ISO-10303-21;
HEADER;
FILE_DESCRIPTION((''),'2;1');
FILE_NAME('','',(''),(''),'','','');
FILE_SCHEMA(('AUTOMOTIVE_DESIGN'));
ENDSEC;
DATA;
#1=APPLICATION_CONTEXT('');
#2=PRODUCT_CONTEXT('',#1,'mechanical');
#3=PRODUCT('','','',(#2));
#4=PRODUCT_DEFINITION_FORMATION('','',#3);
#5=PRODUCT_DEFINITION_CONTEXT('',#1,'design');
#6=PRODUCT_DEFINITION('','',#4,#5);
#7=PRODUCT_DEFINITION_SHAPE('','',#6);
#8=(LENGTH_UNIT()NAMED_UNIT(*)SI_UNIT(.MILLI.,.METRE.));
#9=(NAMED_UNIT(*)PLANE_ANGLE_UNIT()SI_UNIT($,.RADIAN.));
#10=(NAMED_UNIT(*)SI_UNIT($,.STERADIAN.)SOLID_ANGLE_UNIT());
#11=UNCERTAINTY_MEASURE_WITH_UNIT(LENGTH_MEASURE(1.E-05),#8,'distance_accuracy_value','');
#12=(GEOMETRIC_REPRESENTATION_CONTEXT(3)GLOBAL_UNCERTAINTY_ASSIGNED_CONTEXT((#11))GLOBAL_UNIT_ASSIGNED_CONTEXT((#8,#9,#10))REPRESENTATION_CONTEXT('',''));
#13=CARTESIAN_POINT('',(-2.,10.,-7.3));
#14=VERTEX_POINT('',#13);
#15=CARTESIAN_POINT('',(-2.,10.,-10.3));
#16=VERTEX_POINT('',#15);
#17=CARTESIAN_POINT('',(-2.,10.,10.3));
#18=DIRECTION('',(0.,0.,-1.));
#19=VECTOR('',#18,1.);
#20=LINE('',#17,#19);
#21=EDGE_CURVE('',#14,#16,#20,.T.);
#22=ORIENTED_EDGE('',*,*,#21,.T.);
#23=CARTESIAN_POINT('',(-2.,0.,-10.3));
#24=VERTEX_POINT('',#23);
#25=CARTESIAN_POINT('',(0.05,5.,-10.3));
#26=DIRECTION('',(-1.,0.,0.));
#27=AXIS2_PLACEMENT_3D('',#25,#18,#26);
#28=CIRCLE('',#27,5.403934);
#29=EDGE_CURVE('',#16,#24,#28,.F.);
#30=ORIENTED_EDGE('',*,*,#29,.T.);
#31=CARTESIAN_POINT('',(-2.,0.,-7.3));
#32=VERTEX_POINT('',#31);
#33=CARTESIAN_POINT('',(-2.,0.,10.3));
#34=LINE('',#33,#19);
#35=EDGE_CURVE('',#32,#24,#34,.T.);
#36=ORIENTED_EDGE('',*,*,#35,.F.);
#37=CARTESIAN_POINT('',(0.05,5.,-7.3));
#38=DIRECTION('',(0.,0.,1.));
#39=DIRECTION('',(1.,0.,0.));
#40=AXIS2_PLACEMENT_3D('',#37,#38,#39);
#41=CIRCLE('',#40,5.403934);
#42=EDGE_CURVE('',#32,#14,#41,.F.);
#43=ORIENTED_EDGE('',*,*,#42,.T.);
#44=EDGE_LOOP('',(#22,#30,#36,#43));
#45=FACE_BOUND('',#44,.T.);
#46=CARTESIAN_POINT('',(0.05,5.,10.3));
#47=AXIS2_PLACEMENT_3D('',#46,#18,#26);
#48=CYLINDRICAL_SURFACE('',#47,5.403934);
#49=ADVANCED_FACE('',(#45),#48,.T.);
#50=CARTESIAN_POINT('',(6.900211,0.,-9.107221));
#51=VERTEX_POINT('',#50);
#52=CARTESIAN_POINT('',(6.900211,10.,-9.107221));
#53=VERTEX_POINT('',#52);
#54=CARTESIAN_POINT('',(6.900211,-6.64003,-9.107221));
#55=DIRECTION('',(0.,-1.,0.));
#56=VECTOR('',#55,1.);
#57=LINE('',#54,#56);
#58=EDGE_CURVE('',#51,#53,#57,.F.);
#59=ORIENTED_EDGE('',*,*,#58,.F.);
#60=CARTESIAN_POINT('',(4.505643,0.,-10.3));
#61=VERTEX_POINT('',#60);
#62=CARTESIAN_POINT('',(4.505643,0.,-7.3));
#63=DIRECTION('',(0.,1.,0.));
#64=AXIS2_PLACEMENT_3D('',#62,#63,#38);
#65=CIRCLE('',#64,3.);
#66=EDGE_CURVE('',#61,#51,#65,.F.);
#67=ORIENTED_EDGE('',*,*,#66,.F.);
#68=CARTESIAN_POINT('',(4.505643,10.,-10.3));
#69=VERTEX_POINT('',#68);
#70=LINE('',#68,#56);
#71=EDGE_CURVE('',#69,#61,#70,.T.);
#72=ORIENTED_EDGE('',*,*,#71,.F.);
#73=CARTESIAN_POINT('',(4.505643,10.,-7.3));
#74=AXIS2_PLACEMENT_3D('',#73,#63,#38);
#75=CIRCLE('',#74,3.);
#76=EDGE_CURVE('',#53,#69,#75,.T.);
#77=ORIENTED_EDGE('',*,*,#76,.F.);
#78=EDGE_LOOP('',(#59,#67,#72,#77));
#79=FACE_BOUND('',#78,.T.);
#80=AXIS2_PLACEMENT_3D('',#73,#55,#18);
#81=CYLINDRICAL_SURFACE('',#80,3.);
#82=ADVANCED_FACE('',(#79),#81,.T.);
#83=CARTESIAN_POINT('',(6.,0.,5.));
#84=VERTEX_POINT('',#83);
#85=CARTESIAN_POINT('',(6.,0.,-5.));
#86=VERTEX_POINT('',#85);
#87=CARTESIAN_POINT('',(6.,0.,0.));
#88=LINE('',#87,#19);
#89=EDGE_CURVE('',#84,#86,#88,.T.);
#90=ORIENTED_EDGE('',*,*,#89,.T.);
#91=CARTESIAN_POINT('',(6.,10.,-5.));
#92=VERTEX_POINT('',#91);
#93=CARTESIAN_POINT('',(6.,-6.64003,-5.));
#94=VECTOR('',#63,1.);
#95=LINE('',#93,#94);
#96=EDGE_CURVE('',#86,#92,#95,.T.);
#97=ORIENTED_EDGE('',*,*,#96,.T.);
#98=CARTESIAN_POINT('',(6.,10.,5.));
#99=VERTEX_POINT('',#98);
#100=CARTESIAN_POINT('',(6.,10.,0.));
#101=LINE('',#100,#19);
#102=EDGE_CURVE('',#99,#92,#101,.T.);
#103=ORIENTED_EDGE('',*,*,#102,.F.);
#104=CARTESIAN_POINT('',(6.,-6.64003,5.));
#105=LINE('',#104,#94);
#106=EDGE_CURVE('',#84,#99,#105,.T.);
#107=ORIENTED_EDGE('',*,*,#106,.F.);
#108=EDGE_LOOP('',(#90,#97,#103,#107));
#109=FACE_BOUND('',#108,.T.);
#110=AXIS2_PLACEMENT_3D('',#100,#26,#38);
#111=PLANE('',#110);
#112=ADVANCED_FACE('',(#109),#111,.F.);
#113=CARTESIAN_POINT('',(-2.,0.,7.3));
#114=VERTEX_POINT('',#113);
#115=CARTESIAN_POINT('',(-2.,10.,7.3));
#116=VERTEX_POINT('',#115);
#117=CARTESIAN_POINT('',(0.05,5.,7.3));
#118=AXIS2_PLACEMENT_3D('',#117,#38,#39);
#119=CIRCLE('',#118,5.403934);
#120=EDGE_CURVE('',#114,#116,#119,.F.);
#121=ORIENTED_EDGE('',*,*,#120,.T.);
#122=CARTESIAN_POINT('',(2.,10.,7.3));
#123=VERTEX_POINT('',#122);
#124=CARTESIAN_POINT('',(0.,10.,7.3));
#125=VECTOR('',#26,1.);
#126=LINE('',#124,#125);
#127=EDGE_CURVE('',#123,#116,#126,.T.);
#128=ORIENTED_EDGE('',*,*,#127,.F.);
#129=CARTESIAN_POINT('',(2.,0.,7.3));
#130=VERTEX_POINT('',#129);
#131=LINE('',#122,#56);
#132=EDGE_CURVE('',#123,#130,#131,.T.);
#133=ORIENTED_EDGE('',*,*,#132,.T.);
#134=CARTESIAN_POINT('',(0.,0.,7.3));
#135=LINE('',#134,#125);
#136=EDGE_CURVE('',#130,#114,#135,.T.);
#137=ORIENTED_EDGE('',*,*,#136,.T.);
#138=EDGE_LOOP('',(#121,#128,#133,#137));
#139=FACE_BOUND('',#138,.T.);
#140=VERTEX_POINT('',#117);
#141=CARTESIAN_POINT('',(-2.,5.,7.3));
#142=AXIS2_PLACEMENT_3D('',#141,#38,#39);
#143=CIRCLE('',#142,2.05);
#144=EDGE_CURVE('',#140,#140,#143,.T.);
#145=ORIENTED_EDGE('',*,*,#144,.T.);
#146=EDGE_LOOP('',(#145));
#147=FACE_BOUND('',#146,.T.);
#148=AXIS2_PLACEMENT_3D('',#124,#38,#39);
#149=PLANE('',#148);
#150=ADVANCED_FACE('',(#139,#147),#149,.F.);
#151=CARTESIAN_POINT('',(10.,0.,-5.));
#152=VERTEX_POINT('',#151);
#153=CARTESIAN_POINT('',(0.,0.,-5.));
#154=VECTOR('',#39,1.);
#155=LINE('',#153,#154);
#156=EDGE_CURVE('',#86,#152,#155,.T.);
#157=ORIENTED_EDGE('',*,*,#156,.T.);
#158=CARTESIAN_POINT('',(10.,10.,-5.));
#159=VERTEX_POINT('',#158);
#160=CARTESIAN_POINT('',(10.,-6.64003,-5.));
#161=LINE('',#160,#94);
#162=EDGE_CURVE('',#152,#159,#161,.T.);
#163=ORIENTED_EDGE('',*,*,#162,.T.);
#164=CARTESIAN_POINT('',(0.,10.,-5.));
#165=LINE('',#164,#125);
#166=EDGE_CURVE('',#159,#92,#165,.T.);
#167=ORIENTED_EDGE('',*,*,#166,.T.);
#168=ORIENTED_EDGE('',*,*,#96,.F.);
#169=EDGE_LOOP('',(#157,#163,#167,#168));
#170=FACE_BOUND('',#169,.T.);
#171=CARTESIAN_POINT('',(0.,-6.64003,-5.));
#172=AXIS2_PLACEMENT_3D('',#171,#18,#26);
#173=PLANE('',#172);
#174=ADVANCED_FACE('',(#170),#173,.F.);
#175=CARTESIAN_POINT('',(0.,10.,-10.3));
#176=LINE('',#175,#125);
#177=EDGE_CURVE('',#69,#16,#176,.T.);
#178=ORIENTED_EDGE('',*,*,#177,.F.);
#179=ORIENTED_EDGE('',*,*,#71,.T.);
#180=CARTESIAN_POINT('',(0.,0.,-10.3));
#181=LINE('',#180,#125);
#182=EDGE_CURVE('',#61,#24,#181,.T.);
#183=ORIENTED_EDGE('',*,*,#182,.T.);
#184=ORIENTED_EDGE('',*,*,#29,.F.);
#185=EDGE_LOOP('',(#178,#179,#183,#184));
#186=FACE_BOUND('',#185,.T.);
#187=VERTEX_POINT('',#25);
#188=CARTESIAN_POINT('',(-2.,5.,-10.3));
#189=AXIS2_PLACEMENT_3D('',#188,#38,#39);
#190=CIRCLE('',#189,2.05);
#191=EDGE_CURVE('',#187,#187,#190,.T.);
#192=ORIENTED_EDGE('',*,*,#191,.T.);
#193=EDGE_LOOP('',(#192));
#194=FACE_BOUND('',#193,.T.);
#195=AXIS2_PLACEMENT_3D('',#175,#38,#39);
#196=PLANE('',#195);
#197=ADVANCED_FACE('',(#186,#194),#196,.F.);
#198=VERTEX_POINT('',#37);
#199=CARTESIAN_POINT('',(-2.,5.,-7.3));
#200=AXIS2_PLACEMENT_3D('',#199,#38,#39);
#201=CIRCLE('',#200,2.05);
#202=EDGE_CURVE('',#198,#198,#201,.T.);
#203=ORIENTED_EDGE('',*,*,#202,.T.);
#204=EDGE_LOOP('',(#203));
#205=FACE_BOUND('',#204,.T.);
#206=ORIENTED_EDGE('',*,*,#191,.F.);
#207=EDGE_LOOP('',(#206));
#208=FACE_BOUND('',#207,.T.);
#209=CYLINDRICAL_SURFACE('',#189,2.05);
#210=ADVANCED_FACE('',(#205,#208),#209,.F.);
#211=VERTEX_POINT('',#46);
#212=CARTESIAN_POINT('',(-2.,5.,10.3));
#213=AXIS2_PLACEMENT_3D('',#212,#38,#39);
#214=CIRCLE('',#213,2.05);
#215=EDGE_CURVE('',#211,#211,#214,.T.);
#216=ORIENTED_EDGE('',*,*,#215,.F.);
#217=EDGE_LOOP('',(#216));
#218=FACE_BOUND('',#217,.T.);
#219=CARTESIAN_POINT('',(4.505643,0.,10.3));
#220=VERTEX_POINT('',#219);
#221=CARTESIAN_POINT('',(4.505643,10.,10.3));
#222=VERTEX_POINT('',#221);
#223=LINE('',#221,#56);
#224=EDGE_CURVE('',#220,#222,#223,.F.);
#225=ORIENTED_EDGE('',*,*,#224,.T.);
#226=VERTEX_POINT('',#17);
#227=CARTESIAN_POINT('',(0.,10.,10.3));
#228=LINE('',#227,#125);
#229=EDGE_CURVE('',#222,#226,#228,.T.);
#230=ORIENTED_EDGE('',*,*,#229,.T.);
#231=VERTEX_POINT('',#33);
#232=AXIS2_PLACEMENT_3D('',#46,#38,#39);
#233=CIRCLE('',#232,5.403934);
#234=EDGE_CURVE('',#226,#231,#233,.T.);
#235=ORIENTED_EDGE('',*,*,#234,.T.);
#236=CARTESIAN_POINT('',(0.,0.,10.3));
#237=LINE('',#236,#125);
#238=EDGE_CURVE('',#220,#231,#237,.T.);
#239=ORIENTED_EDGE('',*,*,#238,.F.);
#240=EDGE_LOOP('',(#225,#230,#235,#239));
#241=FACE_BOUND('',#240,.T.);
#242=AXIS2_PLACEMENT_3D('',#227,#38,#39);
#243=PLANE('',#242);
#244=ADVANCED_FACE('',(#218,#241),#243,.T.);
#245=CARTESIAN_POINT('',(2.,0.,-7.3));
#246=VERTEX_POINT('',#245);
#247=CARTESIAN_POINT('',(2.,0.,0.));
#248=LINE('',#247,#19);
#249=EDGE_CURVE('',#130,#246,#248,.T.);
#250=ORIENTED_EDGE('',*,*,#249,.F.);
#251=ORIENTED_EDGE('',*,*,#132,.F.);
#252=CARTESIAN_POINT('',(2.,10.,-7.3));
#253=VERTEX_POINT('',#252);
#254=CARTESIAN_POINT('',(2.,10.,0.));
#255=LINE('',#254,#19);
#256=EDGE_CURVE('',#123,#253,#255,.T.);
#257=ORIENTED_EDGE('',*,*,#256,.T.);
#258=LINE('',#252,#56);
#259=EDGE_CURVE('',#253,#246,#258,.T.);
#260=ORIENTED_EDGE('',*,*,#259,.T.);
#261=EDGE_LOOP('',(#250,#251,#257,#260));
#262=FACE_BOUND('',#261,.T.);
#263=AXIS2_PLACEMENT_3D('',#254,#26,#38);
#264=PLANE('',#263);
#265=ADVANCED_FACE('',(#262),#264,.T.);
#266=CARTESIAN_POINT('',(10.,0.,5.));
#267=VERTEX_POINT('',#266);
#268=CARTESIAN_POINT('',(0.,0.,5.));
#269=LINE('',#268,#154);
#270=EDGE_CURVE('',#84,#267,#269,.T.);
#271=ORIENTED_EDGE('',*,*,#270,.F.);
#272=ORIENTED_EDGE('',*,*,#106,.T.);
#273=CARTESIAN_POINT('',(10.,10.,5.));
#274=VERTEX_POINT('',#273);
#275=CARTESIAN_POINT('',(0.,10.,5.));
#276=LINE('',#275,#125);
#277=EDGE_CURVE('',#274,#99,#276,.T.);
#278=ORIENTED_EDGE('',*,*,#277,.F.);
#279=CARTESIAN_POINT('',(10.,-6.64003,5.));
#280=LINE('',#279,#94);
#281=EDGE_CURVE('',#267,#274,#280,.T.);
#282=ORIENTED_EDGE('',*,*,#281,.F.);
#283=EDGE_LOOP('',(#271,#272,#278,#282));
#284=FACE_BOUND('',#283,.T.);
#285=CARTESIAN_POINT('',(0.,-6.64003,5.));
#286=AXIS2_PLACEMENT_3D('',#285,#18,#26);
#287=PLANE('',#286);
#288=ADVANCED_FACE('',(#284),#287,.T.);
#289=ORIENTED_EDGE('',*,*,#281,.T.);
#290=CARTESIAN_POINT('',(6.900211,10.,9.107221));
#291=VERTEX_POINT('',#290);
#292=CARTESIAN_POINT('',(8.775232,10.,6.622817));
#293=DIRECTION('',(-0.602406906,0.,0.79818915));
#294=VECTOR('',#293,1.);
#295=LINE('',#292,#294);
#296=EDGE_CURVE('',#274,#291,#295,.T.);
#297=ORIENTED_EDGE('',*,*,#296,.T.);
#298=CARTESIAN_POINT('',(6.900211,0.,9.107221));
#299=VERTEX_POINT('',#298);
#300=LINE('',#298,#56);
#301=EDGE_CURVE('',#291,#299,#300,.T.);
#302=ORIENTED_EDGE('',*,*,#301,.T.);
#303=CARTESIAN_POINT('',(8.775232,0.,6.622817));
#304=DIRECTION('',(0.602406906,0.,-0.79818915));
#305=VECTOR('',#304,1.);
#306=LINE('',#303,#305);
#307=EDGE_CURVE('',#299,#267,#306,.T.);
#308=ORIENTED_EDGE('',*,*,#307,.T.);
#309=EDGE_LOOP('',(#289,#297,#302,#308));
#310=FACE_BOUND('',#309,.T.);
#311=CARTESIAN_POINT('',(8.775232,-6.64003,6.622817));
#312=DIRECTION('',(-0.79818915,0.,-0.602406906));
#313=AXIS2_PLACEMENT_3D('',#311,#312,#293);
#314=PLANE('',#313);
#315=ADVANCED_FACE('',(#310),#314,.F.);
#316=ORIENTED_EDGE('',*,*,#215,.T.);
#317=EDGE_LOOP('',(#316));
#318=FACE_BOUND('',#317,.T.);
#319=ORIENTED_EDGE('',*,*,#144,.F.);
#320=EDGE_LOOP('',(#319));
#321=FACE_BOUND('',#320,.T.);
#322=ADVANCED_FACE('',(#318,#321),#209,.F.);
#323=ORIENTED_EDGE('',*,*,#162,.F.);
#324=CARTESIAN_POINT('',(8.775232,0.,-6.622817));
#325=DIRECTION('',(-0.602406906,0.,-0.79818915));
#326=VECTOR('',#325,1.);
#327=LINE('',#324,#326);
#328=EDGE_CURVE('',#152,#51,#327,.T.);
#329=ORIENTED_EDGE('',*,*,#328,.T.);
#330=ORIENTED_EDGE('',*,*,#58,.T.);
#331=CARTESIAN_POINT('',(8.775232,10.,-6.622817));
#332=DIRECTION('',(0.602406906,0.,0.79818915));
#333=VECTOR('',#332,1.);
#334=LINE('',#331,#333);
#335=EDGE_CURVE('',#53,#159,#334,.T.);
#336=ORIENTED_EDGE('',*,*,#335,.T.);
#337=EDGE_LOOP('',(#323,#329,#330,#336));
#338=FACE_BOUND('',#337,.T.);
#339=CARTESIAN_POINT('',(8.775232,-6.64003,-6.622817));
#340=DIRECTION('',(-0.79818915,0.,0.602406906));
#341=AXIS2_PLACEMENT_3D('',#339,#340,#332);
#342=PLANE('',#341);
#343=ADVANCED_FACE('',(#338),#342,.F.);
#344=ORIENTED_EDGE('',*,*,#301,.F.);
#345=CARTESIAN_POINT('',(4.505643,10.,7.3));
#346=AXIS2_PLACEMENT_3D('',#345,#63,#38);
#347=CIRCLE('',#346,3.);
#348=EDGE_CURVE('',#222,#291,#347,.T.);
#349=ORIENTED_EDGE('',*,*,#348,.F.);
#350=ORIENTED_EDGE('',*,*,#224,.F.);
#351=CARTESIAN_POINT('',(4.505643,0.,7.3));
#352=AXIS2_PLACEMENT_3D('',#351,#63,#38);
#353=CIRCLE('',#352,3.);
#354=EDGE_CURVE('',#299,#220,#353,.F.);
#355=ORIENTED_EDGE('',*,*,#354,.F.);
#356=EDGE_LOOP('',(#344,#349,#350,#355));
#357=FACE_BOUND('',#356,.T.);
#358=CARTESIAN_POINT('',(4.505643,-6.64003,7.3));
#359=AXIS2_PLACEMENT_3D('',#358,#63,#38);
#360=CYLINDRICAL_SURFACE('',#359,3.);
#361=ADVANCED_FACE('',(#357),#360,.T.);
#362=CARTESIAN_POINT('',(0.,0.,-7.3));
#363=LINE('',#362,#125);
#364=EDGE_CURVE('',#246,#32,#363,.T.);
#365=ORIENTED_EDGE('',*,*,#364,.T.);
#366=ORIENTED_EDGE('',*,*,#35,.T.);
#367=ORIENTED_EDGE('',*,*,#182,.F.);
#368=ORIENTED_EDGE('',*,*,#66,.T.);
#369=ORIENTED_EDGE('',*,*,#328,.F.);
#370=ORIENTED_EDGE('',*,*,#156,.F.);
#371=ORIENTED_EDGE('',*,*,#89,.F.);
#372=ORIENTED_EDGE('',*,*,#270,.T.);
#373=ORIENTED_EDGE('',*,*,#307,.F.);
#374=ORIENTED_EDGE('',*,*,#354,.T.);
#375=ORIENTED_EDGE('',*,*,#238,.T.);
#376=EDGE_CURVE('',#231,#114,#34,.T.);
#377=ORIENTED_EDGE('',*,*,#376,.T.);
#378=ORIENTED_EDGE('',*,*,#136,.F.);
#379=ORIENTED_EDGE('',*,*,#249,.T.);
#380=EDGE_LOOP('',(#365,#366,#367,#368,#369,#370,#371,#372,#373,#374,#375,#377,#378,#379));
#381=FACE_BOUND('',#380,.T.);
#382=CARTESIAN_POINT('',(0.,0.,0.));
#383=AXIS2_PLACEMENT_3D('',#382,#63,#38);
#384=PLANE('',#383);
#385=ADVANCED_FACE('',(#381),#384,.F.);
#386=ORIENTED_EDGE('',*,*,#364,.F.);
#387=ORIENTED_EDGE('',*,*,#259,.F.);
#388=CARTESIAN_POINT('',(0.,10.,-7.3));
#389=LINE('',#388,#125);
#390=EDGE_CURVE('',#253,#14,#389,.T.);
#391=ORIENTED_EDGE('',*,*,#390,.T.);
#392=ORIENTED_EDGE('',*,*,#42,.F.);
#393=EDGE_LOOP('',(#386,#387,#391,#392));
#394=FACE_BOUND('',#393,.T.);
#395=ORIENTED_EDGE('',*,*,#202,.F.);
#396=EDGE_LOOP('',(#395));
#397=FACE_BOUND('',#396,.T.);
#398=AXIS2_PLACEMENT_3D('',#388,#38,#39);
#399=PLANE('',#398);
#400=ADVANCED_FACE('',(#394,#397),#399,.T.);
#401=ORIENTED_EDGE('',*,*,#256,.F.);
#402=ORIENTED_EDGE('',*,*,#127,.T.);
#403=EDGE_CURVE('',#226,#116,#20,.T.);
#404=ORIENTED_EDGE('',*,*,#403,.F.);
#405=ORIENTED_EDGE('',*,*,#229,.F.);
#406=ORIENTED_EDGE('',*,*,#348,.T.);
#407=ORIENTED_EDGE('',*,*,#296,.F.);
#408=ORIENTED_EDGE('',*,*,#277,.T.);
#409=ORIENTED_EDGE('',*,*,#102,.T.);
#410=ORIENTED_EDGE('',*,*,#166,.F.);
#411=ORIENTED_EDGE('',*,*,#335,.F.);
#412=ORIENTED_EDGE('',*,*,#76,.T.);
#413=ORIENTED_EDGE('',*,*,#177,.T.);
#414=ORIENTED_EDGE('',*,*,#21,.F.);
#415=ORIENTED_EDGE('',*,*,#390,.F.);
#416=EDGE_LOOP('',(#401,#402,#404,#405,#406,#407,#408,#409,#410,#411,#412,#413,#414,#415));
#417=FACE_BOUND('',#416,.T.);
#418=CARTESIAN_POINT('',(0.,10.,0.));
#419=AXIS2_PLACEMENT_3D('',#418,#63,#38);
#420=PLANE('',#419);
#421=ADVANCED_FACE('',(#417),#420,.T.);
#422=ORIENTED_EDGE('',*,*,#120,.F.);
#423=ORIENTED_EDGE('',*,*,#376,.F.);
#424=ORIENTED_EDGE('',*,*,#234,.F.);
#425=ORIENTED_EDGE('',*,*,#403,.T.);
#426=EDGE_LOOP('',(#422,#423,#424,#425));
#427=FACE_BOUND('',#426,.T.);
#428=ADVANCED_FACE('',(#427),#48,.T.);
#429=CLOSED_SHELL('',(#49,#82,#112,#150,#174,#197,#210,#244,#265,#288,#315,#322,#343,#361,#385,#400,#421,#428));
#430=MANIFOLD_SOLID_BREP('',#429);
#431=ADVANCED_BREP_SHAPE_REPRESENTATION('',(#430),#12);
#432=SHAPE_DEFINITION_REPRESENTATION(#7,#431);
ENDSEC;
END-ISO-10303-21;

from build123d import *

# Parameters (mm, degrees)
BOSS_EXTRUDE1_DEPTH     = 10
CUT_EXTRUDE1_DEPTH      = 22.113029153
CUT_EXTRUDE1_DEPTH_BACK = 22.113029153
BOSS_EXTRUDE2_DEPTH     = 10
FILLET1_R               = 3
CUT_EXTRUDE2_DEPTH      = 25.987196722
CUT_EXTRUDE2_DEPTH_BACK = 25.987196722


with BuildPart() as part:
    # Sketch1 → Boss-Extrude1 (new body)
    with BuildSketch(Plane(origin=(0, 0, 0), x_dir=(1, 0, 0), z_dir=(0, 1, 0))):
        Polygon((-6, -10.3), (6, -10.3), (6, 10.3), (-6, 10.3), (-6, 7.3), (2, 7.3), (2, -7.3), (-6, -7.3), align=None)
    extrude(amount=BOSS_EXTRUDE1_DEPTH)

    # Sketch2 → Cut-Extrude1 (cut, two sides: drawn at the far end of the back side and taken through both)
    with BuildSketch(Plane.XY.offset(-7.3).offset(-CUT_EXTRUDE1_DEPTH_BACK)):
        with BuildLine():
            ThreePointArc((-3.280624847, 6.600781059), (-3.600781059, 3.719375153), (-0.719375153, 3.399218941))
            Line((-0.719375153, 3.399218941), (-3.280624847, 6.600781059))
        make_face()
        with BuildLine():
            Line((-3.280624847, 6.600781059), (-0.719375153, 3.399218941))
            ThreePointArc((-0.719375153, 3.399218941), (-0.152328366, 4.111963102), (0.05, 5))
            ThreePointArc((0.05, 5), (-1.111963102, 6.847671634), (-3.280624847, 6.600781059))
        make_face()
    extrude(amount=CUT_EXTRUDE1_DEPTH + CUT_EXTRUDE1_DEPTH_BACK, mode=Mode.SUBTRACT)

    # Sketch3 → Boss-Extrude2 (add)
    with BuildSketch(Plane(origin=(0, 10, 0), x_dir=(1, 0, 0), z_dir=(0, 1, 0))):
        Polygon((10, 5), (6, 10.3), (6, 5), align=None)
        Polygon((6, -10.3), (10, -5), (6, -5), align=None)
    extrude(amount=-BOSS_EXTRUDE2_DEPTH)

    # Fillet1
    fillet1_edges = [part.edges().sort_by_distance(p)[0] for p in [
        (6, 5, -10.3),
        (6, 5, 10.3),
    ]]
    fillet(fillet1_edges, radius=FILLET1_R)

    # Sketch4 → Cut-Extrude2 (cut, two sides: drawn at the far end of the back side and taken through both)
    with BuildSketch(Plane(origin=(0, 0, -10.3), x_dir=(-1, 0, 0), z_dir=(0, 0, -1)).offset(-CUT_EXTRUDE2_DEPTH_BACK)):
        with BuildLine():
            Line((2, 10), (6, 10))
            Line((6, 10), (6, 0))
            Line((6, 0), (2, 0))
            ThreePointArc((2, 0), (5.353933752, 5), (2, 10))
        make_face()
    extrude(amount=CUT_EXTRUDE2_DEPTH + CUT_EXTRUDE2_DEPTH_BACK, mode=Mode.SUBTRACT)


solid = part.part
